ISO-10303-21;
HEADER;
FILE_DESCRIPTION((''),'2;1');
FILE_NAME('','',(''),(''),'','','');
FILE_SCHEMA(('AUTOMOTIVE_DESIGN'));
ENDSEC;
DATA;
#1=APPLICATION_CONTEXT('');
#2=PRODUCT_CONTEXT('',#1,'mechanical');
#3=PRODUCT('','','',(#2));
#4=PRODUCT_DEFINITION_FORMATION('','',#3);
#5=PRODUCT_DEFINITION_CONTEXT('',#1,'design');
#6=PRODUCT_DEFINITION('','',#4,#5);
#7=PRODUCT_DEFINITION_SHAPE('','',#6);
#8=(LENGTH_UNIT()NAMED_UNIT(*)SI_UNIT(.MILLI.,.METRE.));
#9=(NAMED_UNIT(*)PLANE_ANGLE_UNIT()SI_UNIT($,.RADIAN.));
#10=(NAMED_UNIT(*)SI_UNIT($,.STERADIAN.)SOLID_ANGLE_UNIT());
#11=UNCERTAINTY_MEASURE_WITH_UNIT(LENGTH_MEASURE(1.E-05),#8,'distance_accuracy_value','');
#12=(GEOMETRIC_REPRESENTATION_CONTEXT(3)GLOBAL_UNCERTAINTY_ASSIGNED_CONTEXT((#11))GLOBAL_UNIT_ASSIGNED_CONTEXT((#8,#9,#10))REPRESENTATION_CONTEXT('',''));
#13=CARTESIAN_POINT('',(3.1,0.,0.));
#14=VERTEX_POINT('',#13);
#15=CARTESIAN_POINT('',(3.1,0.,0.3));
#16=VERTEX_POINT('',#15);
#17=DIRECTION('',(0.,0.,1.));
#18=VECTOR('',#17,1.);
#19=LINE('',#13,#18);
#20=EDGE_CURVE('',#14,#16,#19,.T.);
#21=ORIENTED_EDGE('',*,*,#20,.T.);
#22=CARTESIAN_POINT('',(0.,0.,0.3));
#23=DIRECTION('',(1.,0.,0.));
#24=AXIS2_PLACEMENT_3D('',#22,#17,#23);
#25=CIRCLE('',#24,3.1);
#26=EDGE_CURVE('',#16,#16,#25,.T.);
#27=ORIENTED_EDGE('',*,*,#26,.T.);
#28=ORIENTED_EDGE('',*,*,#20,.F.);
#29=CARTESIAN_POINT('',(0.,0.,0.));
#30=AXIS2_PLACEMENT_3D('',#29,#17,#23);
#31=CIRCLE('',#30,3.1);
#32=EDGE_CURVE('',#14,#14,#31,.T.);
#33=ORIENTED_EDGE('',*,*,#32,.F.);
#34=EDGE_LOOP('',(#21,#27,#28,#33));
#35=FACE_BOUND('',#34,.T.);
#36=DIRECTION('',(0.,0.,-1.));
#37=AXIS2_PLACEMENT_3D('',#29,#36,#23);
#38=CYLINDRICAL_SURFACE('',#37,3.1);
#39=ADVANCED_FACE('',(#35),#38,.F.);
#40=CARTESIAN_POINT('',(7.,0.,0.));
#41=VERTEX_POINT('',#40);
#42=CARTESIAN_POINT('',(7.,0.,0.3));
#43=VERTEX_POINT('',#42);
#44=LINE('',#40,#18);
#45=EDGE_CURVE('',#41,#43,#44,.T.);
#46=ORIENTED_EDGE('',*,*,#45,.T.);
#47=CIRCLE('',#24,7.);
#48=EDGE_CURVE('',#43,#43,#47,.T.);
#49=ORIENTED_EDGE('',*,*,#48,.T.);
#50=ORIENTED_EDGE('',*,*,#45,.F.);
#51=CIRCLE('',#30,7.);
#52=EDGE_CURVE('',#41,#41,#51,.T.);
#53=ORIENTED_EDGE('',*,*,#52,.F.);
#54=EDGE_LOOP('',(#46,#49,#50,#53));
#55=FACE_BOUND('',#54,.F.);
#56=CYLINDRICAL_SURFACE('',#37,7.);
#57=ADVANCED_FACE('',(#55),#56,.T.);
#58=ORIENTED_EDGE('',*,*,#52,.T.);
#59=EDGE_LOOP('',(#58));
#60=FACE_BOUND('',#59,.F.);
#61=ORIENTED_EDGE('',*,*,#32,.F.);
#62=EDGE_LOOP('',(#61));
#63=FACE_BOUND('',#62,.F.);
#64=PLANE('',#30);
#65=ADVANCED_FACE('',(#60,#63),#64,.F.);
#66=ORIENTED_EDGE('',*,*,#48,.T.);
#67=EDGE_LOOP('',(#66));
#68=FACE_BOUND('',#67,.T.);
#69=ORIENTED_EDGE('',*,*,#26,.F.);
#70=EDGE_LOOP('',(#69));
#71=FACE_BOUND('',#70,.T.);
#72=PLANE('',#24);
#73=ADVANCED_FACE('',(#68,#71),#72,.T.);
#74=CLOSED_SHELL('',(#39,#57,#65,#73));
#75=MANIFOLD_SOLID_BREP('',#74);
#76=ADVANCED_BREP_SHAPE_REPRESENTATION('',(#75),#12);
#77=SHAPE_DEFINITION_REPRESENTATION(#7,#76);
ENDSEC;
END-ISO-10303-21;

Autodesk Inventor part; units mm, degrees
ref_plane "YZ Plane" through (0, 0, 0) normal (1, 0, 0) x (0, 1, 0)
ref_plane "XZ Plane" through (0, 0, 0) normal (0, 1, 0) x (-1, 0, 0)
ref_plane "XY Plane" through (0, 0, 0) normal (0, 0, 1) x (1, 0, 0)
sketch "スケッチ1" plane through (0, 0, 0) normal (0, 0, 1) x (1, 0, 0)
  circle A0 centre (0, 0) radius 3.1
  circle A1 centre (0, 0) radius 7
  dimension "d0" = 6.2
  dimension "d1" = 14
extrude "押し出し1" add sketch "スケッチ1" along normal blind 0.3
properties part number "UUW-0614-03H" material "ステンレス鋼 AISI 304"
